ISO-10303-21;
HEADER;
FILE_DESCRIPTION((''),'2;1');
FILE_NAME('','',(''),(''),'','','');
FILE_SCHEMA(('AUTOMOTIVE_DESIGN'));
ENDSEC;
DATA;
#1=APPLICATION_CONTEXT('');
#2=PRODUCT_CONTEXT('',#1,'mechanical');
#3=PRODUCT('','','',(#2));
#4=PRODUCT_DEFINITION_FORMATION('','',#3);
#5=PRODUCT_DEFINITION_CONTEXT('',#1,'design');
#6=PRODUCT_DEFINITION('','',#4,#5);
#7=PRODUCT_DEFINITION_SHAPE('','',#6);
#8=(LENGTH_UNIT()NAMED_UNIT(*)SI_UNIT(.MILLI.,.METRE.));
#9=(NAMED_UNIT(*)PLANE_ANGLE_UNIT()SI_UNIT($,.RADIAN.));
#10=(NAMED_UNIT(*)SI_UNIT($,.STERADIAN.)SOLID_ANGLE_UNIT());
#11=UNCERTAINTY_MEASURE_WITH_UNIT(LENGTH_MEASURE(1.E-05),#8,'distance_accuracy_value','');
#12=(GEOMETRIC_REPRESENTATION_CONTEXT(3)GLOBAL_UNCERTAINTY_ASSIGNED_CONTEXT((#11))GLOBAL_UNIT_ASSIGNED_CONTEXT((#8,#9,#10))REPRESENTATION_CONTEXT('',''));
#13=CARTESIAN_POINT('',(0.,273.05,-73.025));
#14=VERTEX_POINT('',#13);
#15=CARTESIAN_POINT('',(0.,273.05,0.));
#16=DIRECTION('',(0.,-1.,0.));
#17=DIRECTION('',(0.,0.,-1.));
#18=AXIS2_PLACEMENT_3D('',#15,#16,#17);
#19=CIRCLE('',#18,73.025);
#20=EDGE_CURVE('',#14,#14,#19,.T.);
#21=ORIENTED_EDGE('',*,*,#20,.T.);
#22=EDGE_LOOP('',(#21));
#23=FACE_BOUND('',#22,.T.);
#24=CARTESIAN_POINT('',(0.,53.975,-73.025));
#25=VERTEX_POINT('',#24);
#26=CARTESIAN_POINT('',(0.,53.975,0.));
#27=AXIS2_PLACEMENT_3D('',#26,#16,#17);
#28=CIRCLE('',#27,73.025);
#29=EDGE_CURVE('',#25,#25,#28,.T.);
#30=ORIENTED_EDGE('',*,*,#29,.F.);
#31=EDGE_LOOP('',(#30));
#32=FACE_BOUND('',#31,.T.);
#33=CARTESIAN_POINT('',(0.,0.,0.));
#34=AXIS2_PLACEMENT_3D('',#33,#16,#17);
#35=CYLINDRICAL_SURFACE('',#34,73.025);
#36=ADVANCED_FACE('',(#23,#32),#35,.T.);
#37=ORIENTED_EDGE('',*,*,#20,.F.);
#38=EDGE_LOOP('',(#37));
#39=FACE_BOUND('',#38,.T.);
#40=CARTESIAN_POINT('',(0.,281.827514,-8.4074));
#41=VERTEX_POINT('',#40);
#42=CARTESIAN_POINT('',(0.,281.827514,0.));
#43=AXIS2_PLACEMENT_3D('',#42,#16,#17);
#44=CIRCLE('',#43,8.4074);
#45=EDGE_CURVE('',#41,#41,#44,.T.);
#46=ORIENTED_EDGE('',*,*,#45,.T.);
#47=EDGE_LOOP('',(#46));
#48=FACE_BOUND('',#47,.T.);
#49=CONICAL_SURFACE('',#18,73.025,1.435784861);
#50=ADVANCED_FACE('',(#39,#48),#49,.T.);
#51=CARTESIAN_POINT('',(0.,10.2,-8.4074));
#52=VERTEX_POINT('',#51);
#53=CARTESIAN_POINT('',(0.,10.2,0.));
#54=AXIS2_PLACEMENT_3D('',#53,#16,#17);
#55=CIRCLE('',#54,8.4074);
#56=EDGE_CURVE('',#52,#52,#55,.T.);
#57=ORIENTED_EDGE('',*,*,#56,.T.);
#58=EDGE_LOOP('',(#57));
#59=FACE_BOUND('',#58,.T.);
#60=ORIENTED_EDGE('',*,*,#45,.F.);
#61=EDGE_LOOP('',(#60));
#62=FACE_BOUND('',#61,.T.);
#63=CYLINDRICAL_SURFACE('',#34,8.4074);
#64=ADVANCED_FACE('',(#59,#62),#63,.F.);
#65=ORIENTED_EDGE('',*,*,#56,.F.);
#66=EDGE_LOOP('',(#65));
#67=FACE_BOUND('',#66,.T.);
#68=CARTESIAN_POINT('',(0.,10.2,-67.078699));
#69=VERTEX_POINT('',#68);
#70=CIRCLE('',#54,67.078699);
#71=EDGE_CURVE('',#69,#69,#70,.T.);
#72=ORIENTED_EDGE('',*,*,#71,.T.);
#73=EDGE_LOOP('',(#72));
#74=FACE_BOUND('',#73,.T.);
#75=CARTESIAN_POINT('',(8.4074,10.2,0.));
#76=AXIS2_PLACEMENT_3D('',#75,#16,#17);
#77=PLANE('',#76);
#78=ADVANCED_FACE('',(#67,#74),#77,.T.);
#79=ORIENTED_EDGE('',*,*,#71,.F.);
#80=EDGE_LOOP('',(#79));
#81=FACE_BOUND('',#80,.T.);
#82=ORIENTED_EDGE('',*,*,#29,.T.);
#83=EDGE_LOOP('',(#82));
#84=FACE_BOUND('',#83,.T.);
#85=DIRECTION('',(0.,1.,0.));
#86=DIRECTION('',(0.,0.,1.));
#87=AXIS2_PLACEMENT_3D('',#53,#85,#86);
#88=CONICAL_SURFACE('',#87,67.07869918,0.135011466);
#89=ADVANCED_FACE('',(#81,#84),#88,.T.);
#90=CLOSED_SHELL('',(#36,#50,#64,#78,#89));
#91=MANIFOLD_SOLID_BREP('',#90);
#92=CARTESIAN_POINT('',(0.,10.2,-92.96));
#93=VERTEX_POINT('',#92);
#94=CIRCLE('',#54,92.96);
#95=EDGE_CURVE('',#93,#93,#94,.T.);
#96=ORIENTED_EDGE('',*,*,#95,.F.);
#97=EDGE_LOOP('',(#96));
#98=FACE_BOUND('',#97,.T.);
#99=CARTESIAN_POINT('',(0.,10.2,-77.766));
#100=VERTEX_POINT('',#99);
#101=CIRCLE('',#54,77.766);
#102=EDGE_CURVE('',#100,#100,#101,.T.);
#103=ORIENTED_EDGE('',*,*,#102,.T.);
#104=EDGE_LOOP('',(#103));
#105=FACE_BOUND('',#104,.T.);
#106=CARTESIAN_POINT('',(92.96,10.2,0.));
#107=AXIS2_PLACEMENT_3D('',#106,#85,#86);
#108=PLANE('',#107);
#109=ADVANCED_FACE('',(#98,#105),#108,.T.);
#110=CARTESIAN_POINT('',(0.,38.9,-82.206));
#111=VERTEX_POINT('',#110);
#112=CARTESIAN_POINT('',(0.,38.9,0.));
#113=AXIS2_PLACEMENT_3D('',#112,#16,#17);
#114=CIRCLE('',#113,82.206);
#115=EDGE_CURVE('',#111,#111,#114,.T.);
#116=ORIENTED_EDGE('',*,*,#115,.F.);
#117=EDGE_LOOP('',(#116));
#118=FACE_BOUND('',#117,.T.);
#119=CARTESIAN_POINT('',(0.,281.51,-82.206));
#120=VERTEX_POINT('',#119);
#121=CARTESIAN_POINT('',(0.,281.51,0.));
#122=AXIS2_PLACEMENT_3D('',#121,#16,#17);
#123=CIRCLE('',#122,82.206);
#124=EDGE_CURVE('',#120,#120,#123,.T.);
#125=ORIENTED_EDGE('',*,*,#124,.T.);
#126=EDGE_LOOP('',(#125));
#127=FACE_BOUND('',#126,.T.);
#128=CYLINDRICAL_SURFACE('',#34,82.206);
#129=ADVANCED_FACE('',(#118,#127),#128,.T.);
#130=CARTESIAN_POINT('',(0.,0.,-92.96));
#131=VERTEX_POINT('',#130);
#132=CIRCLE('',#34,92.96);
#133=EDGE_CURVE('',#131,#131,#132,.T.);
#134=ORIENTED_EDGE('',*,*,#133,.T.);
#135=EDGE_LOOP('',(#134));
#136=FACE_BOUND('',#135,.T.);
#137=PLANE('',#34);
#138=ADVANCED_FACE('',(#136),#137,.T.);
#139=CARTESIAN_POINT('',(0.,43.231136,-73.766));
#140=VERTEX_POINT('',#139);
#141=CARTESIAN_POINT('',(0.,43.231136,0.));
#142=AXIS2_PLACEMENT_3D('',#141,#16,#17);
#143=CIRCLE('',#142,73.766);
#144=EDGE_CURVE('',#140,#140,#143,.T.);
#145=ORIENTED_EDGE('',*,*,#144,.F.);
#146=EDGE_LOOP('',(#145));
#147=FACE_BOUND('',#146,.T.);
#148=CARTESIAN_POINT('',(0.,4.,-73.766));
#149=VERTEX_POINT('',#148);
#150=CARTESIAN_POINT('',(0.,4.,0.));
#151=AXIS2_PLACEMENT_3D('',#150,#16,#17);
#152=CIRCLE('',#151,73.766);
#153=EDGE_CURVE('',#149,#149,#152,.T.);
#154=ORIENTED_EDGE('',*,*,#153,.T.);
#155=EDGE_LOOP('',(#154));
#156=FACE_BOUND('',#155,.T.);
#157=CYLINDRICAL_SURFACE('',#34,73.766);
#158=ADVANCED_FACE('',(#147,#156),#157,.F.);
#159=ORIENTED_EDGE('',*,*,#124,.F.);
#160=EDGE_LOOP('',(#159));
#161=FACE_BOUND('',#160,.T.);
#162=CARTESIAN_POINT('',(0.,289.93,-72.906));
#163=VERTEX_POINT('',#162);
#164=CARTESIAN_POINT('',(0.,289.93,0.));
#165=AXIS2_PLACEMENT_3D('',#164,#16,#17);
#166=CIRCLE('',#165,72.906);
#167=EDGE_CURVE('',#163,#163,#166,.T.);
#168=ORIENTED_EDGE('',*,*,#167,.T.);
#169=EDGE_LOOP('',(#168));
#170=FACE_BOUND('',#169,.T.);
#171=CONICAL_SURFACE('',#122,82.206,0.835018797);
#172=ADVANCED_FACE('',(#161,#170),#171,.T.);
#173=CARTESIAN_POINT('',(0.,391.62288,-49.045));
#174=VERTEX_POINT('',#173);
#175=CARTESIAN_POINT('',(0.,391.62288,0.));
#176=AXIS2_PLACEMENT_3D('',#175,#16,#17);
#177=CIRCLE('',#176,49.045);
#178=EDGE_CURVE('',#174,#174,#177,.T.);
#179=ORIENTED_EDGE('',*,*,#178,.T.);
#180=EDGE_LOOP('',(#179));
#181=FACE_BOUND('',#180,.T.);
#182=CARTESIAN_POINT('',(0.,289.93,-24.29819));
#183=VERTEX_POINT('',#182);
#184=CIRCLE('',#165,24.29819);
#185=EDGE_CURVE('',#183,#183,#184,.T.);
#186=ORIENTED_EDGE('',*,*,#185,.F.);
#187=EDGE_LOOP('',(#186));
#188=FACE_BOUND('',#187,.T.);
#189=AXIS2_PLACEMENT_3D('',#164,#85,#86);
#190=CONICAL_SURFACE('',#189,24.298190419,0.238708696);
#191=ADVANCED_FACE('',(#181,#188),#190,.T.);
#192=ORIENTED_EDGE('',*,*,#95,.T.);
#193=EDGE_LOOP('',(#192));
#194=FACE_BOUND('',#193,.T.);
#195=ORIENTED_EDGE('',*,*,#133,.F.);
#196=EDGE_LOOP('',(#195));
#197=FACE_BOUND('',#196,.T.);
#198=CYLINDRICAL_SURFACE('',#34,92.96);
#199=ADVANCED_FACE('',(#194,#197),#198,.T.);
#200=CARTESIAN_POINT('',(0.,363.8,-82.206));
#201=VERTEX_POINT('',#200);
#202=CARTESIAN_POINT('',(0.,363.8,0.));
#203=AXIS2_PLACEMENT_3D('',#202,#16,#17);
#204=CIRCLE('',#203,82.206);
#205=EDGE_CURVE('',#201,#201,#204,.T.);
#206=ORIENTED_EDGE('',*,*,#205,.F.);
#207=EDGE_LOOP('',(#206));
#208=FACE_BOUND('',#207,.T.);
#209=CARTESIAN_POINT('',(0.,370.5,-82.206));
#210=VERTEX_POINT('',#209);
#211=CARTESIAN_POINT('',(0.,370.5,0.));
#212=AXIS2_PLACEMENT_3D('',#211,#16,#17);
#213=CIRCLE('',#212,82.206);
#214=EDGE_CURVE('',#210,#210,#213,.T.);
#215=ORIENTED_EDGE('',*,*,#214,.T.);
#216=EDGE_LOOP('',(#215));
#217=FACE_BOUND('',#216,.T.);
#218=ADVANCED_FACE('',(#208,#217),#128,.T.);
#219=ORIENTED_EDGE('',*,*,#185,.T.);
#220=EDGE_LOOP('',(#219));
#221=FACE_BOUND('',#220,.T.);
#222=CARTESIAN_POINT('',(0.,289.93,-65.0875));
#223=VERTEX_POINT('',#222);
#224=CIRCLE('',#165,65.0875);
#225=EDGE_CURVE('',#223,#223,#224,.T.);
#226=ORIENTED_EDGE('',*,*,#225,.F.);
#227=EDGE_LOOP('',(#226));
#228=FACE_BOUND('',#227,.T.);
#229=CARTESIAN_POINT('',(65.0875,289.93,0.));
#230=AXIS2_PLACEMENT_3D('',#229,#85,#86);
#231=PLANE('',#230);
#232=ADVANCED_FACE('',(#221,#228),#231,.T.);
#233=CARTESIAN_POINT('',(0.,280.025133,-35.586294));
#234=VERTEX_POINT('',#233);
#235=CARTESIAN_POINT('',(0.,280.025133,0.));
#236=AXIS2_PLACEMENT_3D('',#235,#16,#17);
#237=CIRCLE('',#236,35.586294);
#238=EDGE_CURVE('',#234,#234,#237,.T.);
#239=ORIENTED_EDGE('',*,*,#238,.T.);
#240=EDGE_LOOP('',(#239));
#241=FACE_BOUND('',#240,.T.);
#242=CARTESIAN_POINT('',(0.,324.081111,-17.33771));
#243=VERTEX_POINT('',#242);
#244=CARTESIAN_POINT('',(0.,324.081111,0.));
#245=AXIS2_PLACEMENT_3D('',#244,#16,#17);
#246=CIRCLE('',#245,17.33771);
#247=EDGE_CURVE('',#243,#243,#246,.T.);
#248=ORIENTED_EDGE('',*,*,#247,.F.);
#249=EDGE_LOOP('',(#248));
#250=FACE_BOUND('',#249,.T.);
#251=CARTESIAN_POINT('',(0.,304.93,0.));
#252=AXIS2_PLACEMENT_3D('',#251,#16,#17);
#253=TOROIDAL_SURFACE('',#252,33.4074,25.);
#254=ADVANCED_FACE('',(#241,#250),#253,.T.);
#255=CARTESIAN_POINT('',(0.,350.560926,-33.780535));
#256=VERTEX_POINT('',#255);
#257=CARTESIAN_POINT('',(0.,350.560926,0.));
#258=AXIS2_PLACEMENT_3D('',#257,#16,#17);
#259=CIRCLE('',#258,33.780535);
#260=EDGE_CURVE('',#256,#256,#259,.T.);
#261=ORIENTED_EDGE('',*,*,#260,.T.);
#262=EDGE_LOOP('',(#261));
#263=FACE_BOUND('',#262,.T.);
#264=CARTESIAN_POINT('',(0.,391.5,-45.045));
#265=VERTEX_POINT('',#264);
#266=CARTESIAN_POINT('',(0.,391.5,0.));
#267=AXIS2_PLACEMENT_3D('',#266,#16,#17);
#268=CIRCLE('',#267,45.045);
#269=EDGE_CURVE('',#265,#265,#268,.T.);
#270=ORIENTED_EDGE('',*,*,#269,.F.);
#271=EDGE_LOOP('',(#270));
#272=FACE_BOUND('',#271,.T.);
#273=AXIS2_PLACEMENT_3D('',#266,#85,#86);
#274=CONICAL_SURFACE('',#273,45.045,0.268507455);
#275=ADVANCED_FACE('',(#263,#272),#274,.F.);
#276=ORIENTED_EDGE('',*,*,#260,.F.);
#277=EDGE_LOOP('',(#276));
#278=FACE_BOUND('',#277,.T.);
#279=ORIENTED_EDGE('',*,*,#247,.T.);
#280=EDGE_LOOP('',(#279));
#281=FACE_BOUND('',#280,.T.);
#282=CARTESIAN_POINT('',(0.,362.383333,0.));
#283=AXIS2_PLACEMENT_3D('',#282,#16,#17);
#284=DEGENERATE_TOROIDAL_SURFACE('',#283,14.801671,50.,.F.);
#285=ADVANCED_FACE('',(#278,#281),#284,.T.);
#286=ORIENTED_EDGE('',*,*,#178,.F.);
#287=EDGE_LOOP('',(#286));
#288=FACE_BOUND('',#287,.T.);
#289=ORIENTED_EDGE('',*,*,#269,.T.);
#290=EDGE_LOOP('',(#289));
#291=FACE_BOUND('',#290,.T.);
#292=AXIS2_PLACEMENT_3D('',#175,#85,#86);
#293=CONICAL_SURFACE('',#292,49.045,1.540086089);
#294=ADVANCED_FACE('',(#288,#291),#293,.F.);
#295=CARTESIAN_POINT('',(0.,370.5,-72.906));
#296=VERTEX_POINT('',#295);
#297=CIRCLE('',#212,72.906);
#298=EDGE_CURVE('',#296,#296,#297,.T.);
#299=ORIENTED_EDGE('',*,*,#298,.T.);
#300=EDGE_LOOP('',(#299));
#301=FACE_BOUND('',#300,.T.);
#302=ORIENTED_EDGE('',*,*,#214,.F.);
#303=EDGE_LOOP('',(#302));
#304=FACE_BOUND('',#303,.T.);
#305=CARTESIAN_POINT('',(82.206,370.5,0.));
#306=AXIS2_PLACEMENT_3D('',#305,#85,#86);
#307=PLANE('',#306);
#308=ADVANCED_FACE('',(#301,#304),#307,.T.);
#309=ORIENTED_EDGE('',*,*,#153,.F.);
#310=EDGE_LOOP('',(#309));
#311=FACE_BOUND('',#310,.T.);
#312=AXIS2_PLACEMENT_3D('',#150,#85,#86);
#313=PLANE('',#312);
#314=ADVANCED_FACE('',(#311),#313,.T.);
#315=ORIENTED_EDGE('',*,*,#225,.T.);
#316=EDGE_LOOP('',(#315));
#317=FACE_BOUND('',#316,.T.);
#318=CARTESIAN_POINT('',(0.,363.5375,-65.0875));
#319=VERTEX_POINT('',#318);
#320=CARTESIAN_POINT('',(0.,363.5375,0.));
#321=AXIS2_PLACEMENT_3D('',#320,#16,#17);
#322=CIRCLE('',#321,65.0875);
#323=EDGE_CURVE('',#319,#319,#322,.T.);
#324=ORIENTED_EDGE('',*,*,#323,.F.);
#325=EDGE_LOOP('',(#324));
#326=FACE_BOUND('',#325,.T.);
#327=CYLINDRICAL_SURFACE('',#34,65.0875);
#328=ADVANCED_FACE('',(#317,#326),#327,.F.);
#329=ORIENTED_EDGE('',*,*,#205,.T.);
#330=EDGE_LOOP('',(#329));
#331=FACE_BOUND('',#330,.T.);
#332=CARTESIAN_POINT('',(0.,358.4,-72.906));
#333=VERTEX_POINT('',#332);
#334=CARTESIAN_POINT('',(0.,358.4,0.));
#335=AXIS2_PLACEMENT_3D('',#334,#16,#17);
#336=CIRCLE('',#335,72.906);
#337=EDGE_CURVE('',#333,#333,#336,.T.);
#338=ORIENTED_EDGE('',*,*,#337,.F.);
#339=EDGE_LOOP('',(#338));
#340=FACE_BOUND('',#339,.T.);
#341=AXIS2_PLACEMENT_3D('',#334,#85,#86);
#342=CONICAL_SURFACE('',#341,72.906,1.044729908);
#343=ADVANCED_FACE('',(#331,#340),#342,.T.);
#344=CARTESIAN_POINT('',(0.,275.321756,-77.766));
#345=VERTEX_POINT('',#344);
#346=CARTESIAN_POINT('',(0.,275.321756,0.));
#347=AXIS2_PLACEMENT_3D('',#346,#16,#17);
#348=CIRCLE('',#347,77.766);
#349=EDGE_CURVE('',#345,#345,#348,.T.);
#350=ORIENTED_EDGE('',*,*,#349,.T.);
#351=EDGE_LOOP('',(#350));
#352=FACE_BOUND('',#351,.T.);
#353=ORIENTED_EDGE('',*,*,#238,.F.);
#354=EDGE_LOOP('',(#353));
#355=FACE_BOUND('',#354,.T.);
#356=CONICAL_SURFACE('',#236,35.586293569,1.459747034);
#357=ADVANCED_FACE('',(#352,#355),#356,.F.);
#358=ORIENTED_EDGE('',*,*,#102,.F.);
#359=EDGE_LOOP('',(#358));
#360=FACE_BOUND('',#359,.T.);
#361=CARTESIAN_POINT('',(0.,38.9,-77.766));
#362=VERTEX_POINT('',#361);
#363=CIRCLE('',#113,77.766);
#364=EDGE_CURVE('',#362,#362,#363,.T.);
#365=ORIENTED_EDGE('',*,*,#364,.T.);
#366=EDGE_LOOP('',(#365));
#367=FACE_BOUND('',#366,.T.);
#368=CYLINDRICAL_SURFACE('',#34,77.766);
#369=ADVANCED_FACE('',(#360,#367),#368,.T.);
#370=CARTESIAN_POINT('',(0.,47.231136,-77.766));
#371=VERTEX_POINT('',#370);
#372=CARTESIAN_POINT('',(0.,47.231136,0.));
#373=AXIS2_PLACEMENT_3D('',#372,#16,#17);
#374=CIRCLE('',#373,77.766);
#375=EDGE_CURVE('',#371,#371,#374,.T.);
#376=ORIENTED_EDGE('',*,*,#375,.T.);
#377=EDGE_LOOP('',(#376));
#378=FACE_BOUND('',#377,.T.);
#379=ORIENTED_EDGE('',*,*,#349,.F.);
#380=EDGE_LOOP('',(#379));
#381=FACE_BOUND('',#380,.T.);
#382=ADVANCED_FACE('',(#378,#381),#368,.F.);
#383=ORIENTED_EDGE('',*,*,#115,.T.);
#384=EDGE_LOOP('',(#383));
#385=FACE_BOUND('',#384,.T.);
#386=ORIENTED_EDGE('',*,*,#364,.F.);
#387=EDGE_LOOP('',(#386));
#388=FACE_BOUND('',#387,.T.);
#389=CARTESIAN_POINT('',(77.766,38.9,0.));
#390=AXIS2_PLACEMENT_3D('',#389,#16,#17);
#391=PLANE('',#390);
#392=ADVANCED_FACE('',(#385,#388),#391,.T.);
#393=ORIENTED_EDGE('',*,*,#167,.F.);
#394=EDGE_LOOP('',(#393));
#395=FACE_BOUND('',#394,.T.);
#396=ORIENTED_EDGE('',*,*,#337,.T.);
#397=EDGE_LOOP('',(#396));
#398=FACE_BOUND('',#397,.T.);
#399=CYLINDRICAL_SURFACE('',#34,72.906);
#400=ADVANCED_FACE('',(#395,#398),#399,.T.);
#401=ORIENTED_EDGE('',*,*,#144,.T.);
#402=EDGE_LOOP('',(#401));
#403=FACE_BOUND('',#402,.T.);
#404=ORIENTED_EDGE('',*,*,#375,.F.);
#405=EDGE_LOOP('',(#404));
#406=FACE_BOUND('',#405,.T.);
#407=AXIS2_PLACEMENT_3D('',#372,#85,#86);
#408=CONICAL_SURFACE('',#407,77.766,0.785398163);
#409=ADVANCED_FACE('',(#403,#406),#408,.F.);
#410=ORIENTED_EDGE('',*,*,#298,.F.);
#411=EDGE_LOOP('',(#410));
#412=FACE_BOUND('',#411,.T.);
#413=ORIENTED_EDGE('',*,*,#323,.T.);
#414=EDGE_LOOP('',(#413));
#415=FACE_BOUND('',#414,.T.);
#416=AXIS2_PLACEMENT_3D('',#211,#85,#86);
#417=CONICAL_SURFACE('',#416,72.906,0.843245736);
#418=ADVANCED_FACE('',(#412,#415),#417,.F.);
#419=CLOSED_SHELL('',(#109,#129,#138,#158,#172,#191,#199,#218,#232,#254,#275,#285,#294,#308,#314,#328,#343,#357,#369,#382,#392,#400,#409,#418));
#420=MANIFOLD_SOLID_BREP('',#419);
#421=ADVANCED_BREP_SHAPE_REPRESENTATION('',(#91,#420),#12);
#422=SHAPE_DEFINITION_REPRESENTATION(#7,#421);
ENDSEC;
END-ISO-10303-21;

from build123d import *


with BuildPart() as part:
    # Sketch1 → Revolve1 (revolve)
    with BuildSketch(Plane.XY):
        with BuildLine():
            Line((0, 0), (92.96, 0))
            Line((92.96, 0), (92.96, 10.2))
            Line((92.96, 10.2), (77.766, 10.2))
            Line((77.766, 10.2), (77.766, 38.9))
            Line((77.766, 38.9), (82.206, 38.9))
            Line((82.206, 38.9), (82.206, 281.51))
            Line((82.206, 281.51), (72.906, 289.93))
            Line((72.906, 289.93), (72.906, 358.4))
            Line((72.906, 358.4), (82.206, 363.8))
            Line((82.206, 363.8), (82.206, 370.5))
            Line((82.206, 370.5), (72.906, 370.5))
            Line((72.906, 370.5), (65.0875, 363.5375))
            Line((65.0875, 363.5375), (65.0875, 289.93))
            Line((65.0875, 289.93), (24.298190419, 289.93))
            Line((24.298190419, 289.93), (49.045, 391.622879584))
            Line((49.045, 391.622879584), (45.045, 391.5))
            Line((45.045, 391.5), (33.78053484, 350.560926443))
            ThreePointArc((33.78053484, 350.560926443), (27.675249702, 336.006994767), (17.337709758, 324.081111078))
            ThreePointArc((17.337709758, 324.081111078), (10.310411687, 295.362914191), (35.586293569, 280.025132548))
            Line((35.586293569, 280.025132548), (77.766, 275.321756158))
            Line((77.766, 275.321756158), (77.766, 47.2311364))
            Line((77.766, 47.2311364), (73.766, 43.2311364))
            Line((73.766, 43.2311364), (73.766, 4))
            Line((73.766, 4), (0, 4))
            Line((0, 4), (0, 0))
        make_face()
        Polygon((8.4074, 10.2), (67.07869918, 10.2), (73.025, 53.975), (73.025, 273.05), (8.4074, 281.827514286), align=None)
    revolve(axis=Axis((0, 0, 0), (0, 1, 0)))


solid = part.part
